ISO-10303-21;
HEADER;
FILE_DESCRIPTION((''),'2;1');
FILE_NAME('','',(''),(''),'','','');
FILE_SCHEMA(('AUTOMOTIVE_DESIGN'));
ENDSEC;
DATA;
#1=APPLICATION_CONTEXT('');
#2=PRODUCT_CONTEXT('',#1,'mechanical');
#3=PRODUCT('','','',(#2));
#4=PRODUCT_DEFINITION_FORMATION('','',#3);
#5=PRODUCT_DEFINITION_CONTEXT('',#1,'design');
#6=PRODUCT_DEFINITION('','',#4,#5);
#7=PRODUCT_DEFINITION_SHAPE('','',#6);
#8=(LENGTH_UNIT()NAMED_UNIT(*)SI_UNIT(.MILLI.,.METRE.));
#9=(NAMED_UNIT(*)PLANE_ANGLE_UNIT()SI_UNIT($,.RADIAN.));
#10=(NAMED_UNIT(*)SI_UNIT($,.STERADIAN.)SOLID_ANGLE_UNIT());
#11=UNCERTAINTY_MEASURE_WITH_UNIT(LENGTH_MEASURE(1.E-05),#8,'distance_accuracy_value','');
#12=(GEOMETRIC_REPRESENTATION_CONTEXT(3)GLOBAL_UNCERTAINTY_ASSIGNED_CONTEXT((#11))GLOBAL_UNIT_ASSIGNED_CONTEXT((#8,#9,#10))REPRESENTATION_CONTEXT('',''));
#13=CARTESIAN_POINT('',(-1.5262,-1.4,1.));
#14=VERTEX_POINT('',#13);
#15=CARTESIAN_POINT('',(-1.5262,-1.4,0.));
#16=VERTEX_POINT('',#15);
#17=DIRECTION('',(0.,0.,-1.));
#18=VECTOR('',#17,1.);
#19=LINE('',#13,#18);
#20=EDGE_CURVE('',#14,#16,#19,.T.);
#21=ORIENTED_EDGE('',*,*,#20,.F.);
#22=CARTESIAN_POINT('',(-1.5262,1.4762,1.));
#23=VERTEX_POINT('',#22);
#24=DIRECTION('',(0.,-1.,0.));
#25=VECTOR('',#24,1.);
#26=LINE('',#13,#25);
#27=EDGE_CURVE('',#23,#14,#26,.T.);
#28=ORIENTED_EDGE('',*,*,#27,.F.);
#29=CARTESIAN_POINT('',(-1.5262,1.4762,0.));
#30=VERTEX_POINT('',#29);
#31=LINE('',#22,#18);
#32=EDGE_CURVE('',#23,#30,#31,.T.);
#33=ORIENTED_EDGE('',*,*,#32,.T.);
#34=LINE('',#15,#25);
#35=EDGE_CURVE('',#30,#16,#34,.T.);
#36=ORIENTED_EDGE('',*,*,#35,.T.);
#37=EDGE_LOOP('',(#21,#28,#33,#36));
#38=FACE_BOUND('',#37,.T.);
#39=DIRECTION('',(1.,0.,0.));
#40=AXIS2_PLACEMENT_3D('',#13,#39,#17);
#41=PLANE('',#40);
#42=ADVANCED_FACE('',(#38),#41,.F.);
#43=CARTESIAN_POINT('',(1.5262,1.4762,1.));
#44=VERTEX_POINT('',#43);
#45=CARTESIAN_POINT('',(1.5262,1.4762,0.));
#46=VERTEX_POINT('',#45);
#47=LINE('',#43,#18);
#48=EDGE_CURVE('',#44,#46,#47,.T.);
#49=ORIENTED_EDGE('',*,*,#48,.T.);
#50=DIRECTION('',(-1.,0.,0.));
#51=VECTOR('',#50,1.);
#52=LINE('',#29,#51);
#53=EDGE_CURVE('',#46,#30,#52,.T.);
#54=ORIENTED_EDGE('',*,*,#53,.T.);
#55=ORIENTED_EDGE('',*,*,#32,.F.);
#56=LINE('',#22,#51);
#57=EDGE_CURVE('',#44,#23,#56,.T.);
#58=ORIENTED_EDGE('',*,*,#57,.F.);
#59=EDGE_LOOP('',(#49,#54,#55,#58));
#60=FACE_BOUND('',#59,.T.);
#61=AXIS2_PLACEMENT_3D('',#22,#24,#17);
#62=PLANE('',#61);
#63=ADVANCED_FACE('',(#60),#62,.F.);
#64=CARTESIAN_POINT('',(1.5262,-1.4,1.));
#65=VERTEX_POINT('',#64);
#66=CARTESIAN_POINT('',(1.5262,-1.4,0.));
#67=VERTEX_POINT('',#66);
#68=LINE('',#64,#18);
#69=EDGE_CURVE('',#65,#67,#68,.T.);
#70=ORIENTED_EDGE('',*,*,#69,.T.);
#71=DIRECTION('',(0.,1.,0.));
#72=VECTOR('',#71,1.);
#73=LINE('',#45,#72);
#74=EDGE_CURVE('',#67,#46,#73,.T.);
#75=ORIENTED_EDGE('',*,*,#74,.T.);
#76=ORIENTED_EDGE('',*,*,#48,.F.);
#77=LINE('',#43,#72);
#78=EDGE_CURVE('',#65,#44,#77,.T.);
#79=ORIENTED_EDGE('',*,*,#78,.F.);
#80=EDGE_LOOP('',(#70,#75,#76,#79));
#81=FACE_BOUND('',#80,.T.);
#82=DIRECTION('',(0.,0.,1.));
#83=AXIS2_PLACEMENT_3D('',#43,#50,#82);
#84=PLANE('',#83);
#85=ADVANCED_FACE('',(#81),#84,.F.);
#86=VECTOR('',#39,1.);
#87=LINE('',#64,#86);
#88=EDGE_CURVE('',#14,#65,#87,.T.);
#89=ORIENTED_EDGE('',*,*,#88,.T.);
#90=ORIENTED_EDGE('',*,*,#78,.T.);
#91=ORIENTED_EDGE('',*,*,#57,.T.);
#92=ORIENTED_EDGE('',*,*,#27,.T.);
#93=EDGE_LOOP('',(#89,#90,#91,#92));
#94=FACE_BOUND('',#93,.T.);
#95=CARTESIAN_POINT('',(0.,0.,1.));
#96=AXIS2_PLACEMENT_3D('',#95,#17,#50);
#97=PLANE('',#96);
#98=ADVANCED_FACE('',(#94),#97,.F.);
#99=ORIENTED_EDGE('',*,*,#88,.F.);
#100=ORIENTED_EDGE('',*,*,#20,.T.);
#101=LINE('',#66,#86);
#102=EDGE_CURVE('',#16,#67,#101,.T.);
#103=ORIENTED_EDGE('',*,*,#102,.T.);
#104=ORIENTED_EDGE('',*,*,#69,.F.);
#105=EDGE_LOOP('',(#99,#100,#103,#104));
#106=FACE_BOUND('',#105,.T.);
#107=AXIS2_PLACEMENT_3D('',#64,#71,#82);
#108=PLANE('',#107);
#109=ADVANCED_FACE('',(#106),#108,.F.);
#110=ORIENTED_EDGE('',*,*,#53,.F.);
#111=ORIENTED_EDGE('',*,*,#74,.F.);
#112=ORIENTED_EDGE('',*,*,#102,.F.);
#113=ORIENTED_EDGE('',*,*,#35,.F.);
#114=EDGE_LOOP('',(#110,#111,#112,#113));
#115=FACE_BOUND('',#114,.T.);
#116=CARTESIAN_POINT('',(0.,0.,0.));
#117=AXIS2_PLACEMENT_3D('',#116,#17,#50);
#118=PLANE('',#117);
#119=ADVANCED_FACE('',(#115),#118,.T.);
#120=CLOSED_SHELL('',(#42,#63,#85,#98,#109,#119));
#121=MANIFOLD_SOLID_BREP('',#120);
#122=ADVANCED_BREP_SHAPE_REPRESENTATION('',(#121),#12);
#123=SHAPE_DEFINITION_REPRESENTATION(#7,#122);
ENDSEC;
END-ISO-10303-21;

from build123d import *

# Parameters (mm, degrees)
SKETCH1_W               = 3.0524
SKETCH1_H               = 2.8762
COMPONENT_OUTLINE_DEPTH = 1


with BuildPart() as part:
    # Sketch1 → Component_Outline (new body)
    with BuildSketch(Plane.XY):
        with Locations((0, 0.0381)):
            Rectangle(SKETCH1_W, SKETCH1_H)
    extrude(amount=COMPONENT_OUTLINE_DEPTH)


solid = part.part
